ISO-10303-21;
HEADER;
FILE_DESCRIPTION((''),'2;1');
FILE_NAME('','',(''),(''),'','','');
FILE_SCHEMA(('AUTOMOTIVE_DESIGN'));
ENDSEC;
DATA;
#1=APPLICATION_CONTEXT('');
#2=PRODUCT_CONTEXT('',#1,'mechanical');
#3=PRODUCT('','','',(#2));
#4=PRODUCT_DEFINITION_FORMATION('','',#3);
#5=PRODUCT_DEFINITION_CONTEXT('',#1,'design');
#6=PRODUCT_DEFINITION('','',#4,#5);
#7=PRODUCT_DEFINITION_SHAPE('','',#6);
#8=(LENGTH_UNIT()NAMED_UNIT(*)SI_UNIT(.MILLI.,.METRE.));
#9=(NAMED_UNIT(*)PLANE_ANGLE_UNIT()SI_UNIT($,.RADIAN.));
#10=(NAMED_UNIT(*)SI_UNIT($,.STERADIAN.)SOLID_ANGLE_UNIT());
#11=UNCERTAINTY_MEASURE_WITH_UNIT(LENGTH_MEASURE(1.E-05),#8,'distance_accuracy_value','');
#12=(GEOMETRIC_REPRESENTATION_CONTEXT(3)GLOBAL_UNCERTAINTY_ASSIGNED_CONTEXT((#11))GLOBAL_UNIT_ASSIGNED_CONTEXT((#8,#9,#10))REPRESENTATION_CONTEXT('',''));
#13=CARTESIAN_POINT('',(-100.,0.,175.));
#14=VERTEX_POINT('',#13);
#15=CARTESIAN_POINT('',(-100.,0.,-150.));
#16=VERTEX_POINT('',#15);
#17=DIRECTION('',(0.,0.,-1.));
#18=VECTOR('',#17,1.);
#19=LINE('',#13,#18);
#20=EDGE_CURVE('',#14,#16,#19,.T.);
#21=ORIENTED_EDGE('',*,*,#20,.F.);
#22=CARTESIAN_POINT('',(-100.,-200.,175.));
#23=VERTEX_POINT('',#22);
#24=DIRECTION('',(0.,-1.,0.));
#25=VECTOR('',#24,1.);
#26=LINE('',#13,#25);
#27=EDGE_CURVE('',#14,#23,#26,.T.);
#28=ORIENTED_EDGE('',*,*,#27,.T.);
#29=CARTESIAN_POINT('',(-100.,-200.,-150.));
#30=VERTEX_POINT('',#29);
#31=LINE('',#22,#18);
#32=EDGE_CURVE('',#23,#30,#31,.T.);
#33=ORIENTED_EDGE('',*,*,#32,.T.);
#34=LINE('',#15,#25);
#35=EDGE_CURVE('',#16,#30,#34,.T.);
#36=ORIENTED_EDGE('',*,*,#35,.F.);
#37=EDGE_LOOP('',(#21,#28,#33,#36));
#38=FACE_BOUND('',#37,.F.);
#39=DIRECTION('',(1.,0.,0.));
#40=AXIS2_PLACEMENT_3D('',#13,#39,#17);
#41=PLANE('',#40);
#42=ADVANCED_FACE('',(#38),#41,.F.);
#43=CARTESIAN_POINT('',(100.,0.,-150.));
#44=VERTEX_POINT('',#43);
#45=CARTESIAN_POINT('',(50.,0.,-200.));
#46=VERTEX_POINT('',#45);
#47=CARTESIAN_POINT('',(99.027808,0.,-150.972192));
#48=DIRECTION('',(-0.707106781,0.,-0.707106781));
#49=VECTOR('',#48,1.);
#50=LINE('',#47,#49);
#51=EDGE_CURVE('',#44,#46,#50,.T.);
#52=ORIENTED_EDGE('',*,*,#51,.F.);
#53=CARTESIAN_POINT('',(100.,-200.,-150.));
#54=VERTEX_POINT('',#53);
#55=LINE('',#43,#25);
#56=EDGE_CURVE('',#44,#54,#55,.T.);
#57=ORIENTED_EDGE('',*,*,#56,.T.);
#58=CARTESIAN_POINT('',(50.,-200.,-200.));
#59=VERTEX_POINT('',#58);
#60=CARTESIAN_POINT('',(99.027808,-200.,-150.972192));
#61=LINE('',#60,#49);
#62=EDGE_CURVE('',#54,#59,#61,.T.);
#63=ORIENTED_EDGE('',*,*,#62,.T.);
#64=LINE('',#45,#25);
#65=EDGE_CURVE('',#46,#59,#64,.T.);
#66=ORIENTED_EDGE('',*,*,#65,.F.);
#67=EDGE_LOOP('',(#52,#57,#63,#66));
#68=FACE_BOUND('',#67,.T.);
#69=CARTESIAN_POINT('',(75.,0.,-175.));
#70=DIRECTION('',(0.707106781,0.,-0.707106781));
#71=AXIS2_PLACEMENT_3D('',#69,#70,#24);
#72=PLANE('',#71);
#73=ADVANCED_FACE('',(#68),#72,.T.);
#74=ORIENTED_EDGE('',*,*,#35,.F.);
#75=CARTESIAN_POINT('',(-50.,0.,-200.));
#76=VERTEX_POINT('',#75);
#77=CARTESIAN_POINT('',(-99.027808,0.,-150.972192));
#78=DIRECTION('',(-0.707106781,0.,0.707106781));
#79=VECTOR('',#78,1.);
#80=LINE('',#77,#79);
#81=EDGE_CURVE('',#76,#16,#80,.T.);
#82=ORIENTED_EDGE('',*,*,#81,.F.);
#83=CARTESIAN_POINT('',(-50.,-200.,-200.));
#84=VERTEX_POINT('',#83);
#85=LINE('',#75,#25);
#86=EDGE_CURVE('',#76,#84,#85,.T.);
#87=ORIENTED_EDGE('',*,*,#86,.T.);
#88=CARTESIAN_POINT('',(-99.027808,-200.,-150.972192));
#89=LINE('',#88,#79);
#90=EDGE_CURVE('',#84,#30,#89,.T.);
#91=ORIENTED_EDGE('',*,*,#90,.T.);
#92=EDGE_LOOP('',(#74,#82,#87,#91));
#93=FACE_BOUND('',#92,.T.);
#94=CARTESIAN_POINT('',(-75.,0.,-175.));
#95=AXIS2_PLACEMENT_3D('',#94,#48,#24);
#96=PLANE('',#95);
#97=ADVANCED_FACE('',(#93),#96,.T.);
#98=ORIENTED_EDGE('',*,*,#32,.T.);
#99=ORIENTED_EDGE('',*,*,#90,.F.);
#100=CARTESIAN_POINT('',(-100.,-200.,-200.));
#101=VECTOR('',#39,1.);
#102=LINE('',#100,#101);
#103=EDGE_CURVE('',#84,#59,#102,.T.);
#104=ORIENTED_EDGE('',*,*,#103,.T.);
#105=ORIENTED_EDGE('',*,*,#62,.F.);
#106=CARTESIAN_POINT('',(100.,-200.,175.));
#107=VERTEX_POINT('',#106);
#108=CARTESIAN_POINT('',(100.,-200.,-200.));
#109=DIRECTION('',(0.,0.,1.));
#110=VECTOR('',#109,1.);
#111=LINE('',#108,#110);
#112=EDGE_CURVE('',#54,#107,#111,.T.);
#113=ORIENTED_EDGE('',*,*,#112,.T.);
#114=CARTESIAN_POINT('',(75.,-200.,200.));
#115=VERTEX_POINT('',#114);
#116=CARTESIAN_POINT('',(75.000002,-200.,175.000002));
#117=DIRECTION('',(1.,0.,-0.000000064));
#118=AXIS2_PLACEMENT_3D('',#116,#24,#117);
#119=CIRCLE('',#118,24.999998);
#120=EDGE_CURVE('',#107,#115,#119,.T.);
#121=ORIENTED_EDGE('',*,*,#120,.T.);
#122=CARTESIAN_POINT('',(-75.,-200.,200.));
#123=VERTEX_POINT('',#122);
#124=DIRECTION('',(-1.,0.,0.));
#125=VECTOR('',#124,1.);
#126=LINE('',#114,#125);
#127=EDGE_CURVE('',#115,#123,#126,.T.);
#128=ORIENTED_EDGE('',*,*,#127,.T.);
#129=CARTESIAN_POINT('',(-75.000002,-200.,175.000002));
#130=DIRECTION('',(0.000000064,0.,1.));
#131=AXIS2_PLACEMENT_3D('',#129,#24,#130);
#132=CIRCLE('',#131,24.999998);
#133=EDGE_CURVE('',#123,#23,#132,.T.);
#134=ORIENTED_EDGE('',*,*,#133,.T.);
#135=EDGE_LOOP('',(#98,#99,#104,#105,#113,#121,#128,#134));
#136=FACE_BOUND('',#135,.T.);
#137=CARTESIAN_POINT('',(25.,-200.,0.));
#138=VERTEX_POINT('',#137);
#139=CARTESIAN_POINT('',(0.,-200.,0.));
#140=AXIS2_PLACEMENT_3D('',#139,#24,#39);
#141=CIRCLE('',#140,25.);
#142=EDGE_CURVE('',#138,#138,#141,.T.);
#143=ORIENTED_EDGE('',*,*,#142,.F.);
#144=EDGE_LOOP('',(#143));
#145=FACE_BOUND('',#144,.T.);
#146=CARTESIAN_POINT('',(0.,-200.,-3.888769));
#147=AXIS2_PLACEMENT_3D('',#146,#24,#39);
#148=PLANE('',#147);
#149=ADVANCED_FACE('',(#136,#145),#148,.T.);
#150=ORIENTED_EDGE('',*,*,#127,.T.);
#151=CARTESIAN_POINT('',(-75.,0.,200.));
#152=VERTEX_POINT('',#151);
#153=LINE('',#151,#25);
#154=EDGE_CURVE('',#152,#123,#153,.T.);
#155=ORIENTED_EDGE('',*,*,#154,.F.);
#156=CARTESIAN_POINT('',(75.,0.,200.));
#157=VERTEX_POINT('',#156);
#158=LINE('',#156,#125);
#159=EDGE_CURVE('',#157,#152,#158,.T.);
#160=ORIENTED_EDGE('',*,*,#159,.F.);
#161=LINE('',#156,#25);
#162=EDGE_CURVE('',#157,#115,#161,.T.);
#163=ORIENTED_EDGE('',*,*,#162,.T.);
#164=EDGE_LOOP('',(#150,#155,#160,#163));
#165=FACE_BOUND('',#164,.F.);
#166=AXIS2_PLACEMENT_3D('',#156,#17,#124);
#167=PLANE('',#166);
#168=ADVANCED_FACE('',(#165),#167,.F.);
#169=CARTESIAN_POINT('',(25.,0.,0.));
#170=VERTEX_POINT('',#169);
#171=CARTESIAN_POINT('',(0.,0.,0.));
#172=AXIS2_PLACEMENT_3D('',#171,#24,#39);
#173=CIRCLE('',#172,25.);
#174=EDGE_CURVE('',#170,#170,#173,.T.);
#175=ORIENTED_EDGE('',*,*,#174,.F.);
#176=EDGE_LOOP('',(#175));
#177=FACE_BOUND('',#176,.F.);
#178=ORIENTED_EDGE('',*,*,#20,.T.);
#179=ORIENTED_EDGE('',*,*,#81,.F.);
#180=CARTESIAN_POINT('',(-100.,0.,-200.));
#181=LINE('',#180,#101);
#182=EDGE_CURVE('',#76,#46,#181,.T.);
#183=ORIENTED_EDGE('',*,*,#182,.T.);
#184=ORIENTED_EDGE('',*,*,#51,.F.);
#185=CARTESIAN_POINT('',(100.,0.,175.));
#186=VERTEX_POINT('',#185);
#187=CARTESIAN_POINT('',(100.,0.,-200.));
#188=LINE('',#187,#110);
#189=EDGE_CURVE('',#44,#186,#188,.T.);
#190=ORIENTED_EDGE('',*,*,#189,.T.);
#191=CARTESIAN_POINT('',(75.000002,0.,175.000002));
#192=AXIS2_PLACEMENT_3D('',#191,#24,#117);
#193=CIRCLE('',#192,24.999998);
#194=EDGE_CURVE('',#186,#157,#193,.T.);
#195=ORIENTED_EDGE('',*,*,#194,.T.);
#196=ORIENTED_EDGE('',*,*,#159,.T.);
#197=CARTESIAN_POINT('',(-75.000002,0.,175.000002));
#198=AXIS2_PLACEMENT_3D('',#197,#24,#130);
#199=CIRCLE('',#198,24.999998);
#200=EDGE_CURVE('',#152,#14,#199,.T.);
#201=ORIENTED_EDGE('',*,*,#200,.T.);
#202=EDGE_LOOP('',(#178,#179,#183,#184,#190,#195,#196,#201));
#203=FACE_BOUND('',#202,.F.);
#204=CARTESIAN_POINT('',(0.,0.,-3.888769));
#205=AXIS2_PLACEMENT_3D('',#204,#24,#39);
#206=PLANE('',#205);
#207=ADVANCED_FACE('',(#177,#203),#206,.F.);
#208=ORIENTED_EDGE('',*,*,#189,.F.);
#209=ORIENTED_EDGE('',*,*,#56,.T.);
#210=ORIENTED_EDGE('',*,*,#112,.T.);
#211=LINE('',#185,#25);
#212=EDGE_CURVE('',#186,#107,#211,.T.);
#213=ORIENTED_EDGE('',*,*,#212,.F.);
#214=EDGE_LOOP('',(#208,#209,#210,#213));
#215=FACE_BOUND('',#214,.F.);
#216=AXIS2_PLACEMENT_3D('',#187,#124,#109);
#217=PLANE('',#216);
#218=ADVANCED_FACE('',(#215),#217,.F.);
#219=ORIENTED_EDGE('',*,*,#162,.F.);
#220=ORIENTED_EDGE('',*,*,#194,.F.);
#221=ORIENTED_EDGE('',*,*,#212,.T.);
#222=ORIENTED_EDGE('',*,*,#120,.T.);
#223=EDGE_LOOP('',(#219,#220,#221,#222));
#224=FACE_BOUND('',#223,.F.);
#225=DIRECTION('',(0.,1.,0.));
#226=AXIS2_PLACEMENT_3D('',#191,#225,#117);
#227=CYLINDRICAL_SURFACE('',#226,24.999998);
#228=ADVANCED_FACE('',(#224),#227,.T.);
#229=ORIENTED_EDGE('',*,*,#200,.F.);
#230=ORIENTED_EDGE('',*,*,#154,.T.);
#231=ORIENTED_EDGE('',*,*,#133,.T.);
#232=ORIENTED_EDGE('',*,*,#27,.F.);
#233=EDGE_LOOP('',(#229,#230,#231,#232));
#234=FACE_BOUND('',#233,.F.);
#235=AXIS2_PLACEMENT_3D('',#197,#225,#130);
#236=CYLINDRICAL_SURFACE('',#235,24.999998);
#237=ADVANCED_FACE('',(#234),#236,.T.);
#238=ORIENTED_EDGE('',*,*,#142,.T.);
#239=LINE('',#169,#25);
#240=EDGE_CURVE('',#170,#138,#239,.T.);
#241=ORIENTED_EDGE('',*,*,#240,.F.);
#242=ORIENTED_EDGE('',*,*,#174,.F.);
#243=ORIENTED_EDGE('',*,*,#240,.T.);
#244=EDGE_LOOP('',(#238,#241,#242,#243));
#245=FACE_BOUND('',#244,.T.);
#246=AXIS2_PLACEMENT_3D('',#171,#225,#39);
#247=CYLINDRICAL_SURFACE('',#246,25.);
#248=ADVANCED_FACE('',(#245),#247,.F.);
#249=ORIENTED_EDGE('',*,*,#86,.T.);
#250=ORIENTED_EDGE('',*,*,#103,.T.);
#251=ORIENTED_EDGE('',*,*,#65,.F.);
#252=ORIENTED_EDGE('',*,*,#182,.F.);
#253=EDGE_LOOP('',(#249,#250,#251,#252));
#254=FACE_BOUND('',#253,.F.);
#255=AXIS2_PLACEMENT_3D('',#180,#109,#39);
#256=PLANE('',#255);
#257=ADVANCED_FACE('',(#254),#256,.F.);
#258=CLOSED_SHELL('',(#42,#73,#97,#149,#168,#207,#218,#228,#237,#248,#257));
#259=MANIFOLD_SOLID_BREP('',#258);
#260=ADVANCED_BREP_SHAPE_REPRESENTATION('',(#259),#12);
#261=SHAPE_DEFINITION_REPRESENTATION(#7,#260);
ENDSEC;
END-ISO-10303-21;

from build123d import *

# Parameters (mm, degrees)
F0_R     = 25
F1_DEPTH = 200
F2_SIZE  = 50


with BuildPart() as f1:
    # F0 (on Front) → F1 (new body)
    with BuildSketch(Plane.XZ):
        with BuildLine():
            ThreePointArc((100, 175), (92.67767, 192.67767), (75, 200))
            Line((75, 200), (-75, 200))
            ThreePointArc((-75, 200), (-92.67767, 192.67767), (-100, 175))
            Line((-100, 175), (-100, -200))
            Line((-100, -200), (100, -200))
            Line((100, -200), (100, 175))
        make_face()
        Circle(F0_R, mode=Mode.SUBTRACT)
    extrude(amount=F1_DEPTH)

    # F2
    f2_edges = [f1.edges().sort_by_distance(p)[0] for p in [
        (100, -100, -200),
        (-100, -100, -200),
    ]]
    chamfer(f2_edges, length=F2_SIZE)


solid = f1.part
